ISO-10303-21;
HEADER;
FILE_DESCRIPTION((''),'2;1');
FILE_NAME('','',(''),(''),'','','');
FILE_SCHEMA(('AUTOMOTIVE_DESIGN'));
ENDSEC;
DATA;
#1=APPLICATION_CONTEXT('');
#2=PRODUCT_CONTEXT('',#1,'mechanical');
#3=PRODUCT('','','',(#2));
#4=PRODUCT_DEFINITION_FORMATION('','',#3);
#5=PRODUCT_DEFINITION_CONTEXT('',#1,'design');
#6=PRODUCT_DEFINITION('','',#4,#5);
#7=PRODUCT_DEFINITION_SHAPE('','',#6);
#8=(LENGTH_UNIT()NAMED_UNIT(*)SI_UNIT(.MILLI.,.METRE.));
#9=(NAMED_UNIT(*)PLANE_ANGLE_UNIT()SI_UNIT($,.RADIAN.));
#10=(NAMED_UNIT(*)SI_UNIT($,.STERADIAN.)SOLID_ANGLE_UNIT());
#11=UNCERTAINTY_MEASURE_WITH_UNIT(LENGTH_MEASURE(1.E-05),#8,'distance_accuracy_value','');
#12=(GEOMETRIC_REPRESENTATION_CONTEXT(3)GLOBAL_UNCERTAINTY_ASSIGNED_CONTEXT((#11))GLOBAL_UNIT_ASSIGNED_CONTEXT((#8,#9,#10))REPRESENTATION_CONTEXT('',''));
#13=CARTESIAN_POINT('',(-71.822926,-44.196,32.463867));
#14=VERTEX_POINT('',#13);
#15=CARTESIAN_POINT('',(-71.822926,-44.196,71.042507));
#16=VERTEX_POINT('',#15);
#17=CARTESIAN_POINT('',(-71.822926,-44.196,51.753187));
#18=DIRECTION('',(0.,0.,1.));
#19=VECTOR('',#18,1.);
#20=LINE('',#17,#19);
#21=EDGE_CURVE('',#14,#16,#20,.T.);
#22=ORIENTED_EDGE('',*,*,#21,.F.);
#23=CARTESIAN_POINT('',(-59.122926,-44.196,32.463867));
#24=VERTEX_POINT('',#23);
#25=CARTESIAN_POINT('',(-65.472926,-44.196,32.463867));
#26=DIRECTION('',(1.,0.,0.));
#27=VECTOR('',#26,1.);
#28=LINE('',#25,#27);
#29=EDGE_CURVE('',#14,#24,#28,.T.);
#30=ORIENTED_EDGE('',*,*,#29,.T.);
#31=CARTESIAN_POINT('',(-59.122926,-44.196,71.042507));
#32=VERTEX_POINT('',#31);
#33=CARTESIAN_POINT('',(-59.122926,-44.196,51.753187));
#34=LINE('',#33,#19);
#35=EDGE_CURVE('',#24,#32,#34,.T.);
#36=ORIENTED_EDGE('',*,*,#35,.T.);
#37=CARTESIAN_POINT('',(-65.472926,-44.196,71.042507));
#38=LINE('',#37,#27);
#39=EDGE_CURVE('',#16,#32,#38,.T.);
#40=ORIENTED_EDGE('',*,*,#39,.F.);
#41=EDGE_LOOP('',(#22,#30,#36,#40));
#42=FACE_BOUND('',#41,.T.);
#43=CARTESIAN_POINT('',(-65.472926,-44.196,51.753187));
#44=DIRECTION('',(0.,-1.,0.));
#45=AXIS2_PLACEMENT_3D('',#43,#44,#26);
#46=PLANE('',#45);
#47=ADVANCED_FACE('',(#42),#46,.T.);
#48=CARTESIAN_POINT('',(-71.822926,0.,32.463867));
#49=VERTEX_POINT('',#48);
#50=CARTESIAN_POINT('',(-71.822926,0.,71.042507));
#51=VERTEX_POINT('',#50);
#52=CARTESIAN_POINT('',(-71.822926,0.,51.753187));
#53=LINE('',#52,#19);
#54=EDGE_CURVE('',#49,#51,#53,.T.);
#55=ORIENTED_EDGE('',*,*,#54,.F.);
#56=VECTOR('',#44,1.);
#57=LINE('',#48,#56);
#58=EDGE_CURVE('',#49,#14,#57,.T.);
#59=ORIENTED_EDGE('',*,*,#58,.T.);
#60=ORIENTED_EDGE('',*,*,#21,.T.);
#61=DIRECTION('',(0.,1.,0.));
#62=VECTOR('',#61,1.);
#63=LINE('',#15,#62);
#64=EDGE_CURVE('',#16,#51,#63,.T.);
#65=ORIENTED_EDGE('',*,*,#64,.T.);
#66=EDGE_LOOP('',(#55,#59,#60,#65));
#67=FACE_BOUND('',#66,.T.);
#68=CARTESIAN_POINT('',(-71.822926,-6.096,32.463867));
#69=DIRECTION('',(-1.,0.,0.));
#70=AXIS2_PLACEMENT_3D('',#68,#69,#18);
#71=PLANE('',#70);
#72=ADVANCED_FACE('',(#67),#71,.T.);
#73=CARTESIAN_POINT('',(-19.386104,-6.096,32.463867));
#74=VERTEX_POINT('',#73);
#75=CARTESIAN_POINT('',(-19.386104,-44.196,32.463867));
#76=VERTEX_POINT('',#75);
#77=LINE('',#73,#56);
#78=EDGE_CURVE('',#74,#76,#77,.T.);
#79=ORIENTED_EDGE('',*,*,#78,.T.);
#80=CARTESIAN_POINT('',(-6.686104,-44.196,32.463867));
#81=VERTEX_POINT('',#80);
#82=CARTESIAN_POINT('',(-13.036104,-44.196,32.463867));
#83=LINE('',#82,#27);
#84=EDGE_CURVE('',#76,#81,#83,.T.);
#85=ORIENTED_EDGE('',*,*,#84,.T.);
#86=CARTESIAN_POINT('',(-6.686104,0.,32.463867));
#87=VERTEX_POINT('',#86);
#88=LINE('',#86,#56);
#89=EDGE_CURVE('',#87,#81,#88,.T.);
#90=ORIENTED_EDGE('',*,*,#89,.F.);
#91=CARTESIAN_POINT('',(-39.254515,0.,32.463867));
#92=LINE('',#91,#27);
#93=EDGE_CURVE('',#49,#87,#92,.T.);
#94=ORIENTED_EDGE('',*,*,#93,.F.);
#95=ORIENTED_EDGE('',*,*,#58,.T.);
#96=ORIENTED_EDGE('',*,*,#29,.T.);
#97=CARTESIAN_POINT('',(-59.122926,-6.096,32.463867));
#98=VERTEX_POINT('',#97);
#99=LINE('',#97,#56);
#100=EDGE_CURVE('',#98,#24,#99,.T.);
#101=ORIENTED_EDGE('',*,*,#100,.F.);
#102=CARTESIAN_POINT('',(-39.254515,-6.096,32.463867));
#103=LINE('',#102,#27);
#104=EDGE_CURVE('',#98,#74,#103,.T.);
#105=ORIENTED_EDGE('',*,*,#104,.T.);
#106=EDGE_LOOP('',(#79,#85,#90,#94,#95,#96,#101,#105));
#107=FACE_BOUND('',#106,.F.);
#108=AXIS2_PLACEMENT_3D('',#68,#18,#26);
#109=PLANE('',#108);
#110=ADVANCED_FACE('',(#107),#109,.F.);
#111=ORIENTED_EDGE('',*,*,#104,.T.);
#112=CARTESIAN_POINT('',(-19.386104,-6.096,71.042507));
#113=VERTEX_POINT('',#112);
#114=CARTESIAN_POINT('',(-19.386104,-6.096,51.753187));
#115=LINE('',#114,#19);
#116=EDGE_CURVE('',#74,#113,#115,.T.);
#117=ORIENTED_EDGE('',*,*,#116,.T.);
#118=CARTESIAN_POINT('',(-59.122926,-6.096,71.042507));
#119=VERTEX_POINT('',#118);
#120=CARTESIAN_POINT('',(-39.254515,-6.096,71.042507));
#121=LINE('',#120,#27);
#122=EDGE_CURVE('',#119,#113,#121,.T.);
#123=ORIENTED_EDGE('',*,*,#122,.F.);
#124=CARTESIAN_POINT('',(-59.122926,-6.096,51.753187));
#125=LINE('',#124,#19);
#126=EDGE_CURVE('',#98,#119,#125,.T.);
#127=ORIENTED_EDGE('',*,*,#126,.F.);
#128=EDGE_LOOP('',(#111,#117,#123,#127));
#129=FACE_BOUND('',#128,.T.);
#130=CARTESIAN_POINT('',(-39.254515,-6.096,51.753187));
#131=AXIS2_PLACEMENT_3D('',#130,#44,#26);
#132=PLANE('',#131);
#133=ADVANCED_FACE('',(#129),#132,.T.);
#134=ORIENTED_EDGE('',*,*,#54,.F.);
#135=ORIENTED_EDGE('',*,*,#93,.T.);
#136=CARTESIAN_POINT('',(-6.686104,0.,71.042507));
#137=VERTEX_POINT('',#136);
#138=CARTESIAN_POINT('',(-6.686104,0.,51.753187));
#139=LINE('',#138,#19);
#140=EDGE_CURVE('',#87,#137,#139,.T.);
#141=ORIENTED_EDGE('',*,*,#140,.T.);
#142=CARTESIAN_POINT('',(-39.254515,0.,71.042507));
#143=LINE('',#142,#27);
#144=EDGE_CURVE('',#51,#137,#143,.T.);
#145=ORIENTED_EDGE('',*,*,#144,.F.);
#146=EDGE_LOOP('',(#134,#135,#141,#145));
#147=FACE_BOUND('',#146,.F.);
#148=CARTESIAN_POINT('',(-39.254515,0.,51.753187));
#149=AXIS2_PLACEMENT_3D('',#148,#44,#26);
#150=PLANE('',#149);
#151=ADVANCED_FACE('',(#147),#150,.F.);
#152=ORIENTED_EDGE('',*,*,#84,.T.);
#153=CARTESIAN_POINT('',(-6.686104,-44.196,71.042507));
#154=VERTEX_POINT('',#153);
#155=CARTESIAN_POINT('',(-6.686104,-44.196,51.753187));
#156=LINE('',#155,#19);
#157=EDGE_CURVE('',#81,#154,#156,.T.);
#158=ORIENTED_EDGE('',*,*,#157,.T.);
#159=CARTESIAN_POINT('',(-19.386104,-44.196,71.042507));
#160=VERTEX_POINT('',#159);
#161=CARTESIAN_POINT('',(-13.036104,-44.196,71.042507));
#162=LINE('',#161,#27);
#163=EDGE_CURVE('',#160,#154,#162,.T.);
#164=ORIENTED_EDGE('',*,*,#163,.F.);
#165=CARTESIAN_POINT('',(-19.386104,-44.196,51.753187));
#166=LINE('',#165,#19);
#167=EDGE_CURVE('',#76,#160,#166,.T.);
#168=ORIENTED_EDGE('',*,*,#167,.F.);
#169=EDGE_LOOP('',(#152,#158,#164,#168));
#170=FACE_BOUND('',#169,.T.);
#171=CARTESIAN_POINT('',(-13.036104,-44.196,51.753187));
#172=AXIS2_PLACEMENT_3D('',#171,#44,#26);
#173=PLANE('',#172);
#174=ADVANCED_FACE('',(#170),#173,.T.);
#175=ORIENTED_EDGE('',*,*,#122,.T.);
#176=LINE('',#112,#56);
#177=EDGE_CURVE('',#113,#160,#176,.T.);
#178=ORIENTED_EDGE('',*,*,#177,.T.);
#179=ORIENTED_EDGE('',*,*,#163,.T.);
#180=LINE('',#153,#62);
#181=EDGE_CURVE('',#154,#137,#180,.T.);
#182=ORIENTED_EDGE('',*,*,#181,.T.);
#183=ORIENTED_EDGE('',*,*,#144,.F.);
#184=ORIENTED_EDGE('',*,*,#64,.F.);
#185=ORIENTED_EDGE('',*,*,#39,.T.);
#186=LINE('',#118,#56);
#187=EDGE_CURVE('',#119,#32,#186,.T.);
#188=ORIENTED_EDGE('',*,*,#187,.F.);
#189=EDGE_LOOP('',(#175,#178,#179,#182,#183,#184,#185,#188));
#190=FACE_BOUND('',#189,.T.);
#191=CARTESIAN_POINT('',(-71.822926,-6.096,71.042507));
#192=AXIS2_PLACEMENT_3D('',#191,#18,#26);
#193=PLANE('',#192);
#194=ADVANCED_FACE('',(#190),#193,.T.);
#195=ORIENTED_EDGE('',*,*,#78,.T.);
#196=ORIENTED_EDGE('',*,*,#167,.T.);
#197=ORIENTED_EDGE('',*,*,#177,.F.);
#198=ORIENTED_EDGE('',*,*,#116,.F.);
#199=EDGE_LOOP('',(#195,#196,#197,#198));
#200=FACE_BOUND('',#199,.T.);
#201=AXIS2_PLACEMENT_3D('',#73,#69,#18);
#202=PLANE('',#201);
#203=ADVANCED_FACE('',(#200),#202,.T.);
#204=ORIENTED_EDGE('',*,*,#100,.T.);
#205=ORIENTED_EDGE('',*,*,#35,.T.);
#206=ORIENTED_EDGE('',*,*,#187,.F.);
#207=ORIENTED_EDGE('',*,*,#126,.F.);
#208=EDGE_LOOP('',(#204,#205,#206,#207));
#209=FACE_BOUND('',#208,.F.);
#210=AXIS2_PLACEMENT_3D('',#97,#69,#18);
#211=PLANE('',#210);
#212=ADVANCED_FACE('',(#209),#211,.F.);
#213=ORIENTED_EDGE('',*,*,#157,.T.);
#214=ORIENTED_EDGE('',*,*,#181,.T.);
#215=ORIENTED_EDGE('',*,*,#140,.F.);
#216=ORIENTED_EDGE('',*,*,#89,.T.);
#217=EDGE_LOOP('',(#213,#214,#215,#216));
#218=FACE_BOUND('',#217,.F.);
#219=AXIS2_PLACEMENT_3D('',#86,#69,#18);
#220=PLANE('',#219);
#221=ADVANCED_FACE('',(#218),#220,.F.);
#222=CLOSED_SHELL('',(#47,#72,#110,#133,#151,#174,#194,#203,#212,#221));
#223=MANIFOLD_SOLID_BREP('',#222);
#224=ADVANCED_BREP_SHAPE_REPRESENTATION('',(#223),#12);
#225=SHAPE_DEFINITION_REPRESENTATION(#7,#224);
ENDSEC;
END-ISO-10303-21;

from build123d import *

# Parameters (mm, degrees)
F0_W     = 65.136822
F0_H     = 38.578641
F1_DEPTH = 6.096
F2_W     = 12.7
F2_H     = 38.578641
F3_DEPTH = 38.1


with BuildPart() as f1:
    # F0 (on Front) → F1 (new body)
    with BuildSketch(Plane.XZ):
        with Locations((-39.254515, 51.753187)):
            Rectangle(F0_W, F0_H)
    extrude(amount=F1_DEPTH)

    # F2 (on face) → F3 (join)
    with BuildSketch(Plane.XZ.offset(6.096)):
        with Locations((-65.472926, 51.753187)):
            Rectangle(F2_W, F2_H)
        with Locations((-13.036104, 51.753187)):
            Rectangle(F2_W, F2_H)
    extrude(amount=F3_DEPTH)


solid = f1.part
